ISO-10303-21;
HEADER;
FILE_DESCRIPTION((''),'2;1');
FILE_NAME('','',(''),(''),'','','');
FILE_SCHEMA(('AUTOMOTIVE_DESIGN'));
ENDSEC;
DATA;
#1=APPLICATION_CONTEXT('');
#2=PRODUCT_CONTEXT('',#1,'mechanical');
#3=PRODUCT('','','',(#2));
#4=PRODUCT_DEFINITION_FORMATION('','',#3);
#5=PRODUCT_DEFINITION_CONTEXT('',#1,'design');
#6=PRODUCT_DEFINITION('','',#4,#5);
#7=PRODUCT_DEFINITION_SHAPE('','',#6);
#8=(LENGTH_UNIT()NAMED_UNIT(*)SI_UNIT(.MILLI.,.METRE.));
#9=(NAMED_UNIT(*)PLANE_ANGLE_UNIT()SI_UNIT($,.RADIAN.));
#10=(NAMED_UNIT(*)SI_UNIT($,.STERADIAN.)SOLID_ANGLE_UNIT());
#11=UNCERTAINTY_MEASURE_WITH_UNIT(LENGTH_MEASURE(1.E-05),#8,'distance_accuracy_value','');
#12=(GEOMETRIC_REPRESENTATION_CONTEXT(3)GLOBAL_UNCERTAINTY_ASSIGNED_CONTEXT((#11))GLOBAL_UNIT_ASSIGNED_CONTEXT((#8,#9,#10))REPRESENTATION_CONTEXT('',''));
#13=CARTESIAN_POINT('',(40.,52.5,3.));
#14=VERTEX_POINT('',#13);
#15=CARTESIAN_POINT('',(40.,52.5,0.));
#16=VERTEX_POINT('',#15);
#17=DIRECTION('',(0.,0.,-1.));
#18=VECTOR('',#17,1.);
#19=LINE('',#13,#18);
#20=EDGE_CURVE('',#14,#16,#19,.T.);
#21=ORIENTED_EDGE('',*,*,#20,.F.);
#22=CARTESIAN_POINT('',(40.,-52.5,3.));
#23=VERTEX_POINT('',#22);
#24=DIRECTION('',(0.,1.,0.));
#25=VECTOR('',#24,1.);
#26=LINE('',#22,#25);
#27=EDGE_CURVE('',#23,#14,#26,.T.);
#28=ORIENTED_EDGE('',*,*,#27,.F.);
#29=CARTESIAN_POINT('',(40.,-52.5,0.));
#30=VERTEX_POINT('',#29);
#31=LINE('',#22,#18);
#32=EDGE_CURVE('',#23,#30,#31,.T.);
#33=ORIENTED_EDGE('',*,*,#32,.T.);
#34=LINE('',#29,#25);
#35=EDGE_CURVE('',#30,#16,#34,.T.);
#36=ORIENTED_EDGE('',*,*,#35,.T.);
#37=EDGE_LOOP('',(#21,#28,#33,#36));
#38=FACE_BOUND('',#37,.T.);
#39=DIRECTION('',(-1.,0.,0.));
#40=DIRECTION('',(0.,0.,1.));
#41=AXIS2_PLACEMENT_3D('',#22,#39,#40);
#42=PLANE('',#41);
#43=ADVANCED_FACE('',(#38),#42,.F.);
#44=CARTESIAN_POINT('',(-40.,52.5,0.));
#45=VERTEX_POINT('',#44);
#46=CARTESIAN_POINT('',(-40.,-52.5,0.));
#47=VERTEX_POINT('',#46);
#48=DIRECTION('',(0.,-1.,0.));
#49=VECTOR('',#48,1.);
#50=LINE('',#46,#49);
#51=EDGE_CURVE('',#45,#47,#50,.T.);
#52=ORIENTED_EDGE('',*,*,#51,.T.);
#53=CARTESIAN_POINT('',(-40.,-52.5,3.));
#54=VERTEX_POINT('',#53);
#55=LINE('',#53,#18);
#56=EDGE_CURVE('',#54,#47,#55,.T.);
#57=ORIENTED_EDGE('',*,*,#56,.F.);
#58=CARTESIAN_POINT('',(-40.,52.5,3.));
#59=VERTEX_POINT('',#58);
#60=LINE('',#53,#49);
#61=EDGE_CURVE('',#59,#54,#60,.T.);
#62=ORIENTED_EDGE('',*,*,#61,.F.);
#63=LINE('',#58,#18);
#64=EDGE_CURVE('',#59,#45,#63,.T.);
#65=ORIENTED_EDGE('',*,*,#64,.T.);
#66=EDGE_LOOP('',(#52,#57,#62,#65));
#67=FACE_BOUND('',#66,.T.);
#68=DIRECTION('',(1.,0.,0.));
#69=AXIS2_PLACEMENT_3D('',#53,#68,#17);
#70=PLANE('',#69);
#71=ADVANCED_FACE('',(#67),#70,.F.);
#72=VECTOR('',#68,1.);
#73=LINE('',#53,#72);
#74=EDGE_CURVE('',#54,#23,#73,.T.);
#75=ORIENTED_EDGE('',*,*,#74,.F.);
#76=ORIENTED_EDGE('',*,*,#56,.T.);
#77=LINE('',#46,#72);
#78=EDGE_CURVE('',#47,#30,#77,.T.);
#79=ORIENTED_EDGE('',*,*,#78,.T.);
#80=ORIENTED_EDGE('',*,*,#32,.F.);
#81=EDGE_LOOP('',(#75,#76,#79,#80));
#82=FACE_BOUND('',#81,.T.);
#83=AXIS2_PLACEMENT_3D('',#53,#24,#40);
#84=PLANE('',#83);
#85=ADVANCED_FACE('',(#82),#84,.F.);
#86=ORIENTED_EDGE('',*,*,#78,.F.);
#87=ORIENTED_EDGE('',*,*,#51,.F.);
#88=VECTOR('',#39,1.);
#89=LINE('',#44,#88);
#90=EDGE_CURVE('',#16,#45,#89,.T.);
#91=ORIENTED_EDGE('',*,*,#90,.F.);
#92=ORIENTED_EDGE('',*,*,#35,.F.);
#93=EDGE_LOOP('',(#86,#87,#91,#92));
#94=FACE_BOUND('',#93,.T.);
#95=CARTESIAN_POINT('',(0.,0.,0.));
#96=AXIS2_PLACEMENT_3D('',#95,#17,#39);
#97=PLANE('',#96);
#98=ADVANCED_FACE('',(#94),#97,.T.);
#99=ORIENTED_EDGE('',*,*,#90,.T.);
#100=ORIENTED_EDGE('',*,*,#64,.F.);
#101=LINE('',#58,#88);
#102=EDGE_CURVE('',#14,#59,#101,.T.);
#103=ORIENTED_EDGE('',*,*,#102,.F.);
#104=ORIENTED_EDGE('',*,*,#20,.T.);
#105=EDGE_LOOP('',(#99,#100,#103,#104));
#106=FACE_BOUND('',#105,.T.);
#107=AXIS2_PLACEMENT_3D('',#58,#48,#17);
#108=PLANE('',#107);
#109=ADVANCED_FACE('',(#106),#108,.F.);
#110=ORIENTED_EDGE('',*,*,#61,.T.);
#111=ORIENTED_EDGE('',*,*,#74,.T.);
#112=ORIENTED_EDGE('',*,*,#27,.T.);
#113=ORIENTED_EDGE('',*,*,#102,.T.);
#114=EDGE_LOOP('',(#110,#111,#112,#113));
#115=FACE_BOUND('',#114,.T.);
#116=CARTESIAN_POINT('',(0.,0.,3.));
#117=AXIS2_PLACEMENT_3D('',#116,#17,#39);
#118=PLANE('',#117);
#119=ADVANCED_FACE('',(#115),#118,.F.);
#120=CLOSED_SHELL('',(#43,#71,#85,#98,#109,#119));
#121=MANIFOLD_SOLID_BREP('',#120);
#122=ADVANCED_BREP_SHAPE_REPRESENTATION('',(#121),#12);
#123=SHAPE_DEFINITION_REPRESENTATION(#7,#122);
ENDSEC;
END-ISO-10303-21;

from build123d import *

# Parameters (mm, degrees)
SKETCH_1_W      = 80
SKETCH_1_H      = 105
EXTRUDE_1_DEPTH = 3


with BuildPart() as part:
    # 스케치1 → 보스-돌출1 (new body)
    with BuildSketch(Plane.XY):
        Rectangle(SKETCH_1_W, SKETCH_1_H)
    extrude(amount=EXTRUDE_1_DEPTH)


solid = part.part
